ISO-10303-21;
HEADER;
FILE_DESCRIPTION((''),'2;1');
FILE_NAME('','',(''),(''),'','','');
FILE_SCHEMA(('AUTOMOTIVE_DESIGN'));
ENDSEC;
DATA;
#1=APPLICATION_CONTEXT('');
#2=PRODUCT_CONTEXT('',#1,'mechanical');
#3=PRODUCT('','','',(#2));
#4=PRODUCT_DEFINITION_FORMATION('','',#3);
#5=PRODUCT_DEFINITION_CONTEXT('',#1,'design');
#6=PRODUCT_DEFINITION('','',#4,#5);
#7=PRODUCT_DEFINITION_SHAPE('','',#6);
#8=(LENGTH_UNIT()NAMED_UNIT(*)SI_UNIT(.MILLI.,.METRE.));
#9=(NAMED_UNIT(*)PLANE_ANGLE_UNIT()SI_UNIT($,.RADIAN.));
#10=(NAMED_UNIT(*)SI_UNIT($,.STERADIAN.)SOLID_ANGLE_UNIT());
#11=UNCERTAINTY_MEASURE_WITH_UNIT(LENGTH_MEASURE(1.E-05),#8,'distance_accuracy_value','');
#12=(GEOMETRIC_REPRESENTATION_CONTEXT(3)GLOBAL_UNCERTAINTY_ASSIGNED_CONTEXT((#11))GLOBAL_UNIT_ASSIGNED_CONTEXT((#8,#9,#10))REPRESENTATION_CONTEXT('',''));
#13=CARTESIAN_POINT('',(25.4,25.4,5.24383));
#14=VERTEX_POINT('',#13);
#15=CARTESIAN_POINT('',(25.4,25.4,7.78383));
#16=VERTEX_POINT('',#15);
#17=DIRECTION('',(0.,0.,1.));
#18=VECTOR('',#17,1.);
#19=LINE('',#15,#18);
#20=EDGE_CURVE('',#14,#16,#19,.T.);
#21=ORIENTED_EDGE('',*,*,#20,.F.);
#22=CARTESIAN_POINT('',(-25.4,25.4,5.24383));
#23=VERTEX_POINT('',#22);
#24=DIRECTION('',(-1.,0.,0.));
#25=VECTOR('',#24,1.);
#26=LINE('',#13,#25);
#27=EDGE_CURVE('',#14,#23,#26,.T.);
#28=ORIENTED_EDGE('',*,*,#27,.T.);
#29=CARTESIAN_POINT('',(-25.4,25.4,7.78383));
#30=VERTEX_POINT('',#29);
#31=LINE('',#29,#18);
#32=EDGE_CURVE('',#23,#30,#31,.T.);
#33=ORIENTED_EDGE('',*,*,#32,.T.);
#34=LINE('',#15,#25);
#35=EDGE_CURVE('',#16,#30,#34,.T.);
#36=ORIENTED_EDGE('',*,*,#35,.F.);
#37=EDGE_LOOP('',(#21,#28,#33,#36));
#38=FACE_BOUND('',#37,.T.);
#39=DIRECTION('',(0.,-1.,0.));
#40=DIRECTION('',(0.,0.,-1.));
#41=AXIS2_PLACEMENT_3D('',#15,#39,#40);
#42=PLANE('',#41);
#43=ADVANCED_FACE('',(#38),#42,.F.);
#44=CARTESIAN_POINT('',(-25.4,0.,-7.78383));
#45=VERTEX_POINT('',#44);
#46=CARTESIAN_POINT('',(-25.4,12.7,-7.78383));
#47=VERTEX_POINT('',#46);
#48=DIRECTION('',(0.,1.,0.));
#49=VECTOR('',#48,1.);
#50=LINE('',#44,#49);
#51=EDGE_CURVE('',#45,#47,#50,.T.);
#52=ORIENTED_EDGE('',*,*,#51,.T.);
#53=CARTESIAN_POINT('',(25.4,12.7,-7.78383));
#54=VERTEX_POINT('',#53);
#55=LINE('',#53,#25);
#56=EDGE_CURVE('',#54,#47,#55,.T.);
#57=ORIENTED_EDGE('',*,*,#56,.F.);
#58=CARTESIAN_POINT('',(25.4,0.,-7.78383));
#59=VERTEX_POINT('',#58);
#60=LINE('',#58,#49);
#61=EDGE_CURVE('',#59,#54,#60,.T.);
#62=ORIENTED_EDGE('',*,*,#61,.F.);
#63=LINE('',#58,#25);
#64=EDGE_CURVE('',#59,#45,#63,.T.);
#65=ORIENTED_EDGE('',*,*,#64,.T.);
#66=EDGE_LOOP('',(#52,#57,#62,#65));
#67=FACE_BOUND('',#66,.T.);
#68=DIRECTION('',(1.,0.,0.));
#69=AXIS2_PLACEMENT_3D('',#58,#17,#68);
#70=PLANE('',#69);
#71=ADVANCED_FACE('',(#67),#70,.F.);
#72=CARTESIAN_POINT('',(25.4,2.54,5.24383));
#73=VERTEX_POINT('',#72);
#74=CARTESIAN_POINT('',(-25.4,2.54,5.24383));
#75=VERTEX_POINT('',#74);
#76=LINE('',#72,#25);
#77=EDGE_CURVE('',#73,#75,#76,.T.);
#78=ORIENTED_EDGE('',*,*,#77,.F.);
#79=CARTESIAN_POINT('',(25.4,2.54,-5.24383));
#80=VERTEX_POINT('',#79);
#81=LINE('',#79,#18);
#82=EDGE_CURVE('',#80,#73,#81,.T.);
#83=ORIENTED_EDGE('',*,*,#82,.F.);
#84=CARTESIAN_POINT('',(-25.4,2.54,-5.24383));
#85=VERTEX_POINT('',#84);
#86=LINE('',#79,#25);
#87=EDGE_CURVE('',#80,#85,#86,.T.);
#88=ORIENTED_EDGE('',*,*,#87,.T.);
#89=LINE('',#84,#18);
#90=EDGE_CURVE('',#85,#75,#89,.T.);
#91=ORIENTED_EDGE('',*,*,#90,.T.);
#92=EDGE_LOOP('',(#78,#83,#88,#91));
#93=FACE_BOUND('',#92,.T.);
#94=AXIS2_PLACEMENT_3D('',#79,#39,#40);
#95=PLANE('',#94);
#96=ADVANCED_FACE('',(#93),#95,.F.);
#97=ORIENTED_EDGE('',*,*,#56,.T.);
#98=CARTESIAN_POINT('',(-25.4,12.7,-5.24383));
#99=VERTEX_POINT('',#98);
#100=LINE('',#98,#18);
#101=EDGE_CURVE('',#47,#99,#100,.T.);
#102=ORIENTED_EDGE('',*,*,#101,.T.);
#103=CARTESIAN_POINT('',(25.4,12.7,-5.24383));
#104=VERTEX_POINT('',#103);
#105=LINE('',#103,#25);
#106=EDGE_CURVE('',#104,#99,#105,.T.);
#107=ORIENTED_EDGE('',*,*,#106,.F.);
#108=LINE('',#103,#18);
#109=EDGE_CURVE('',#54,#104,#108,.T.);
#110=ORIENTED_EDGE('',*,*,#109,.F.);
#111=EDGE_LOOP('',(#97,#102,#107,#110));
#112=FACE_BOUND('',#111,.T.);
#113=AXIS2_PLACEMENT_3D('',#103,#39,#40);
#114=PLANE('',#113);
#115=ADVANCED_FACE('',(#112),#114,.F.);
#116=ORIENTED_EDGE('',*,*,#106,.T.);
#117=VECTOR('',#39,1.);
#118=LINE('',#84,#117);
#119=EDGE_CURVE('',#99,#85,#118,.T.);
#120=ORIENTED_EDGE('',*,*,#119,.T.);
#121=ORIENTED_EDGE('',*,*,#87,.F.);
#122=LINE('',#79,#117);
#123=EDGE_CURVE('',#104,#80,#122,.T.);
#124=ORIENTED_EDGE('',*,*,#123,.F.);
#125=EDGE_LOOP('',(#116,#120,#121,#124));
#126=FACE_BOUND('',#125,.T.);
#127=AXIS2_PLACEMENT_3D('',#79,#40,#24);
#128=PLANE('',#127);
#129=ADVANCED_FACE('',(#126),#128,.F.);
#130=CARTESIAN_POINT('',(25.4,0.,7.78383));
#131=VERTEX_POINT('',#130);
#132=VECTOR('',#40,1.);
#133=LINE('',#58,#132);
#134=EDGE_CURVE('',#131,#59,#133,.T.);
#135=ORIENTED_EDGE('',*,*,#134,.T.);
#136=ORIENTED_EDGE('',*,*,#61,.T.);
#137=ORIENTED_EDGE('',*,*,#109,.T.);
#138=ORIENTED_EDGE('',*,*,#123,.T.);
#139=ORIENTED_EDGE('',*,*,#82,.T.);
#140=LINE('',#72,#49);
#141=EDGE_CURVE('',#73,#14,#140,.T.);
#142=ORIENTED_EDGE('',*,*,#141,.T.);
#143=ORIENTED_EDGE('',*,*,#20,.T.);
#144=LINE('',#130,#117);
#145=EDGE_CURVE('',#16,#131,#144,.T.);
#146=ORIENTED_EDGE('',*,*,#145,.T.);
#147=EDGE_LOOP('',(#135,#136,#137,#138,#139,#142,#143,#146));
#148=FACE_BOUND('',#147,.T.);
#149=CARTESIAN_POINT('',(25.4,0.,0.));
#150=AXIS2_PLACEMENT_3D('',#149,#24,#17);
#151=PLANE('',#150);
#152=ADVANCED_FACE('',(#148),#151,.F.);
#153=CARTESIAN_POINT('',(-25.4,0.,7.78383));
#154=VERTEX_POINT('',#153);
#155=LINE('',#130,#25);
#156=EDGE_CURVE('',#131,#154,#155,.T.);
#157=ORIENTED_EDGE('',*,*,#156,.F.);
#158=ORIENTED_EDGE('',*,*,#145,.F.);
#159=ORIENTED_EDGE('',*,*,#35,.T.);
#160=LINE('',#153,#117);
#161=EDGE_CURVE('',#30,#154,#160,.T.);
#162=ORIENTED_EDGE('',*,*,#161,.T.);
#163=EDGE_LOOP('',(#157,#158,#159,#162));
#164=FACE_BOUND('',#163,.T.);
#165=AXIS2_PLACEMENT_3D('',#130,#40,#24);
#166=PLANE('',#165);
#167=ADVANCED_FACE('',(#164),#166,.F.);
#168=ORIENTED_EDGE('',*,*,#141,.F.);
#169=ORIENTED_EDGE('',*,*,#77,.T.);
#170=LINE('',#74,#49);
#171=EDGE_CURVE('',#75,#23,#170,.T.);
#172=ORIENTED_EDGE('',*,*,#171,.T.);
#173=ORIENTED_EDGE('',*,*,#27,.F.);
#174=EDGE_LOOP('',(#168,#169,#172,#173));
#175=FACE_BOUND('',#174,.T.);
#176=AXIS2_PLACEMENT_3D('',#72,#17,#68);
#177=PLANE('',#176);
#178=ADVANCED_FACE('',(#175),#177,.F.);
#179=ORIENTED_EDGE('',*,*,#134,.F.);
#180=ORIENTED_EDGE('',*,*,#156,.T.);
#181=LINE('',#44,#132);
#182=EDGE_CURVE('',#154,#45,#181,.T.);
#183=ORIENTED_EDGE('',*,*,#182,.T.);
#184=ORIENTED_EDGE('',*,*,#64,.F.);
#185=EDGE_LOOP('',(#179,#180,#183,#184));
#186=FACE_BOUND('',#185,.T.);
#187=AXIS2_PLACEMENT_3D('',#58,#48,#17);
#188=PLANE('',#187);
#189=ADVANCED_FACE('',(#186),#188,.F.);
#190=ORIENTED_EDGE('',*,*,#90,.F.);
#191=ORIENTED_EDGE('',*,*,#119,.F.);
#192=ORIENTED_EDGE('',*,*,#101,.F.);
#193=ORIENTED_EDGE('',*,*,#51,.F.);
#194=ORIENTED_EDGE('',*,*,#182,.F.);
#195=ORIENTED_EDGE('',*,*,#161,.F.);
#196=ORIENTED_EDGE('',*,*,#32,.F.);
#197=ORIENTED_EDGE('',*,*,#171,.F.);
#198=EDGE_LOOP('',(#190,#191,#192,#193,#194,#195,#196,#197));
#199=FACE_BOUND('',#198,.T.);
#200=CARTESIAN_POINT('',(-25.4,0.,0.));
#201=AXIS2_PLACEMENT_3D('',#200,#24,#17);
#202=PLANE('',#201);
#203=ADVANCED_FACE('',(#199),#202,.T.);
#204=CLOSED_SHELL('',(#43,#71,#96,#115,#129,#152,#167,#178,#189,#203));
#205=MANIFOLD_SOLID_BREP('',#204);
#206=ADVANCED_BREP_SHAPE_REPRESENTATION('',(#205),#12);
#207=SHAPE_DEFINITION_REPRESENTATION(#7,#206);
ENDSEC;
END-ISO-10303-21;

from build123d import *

# Parameters (mm, degrees)
BOSS_EXTRUDE1_DEPTH = 25.4


with BuildPart() as part:
    # Sketch1 → Boss-Extrude1 (new, symmetric)
    with BuildSketch(Plane(origin=(0, 0, 0), x_dir=(0, 0, -1), z_dir=(1, 0, 0))):
        Polygon((7.78383, 0), (-7.78383, 0), (-7.78383, 25.4), (-5.24383, 25.4), (-5.24383, 2.54), (5.24383, 2.54), (5.24383, 12.7), (7.78383, 12.7), align=None)
    extrude(amount=BOSS_EXTRUDE1_DEPTH, both=True)


solid = part.part
